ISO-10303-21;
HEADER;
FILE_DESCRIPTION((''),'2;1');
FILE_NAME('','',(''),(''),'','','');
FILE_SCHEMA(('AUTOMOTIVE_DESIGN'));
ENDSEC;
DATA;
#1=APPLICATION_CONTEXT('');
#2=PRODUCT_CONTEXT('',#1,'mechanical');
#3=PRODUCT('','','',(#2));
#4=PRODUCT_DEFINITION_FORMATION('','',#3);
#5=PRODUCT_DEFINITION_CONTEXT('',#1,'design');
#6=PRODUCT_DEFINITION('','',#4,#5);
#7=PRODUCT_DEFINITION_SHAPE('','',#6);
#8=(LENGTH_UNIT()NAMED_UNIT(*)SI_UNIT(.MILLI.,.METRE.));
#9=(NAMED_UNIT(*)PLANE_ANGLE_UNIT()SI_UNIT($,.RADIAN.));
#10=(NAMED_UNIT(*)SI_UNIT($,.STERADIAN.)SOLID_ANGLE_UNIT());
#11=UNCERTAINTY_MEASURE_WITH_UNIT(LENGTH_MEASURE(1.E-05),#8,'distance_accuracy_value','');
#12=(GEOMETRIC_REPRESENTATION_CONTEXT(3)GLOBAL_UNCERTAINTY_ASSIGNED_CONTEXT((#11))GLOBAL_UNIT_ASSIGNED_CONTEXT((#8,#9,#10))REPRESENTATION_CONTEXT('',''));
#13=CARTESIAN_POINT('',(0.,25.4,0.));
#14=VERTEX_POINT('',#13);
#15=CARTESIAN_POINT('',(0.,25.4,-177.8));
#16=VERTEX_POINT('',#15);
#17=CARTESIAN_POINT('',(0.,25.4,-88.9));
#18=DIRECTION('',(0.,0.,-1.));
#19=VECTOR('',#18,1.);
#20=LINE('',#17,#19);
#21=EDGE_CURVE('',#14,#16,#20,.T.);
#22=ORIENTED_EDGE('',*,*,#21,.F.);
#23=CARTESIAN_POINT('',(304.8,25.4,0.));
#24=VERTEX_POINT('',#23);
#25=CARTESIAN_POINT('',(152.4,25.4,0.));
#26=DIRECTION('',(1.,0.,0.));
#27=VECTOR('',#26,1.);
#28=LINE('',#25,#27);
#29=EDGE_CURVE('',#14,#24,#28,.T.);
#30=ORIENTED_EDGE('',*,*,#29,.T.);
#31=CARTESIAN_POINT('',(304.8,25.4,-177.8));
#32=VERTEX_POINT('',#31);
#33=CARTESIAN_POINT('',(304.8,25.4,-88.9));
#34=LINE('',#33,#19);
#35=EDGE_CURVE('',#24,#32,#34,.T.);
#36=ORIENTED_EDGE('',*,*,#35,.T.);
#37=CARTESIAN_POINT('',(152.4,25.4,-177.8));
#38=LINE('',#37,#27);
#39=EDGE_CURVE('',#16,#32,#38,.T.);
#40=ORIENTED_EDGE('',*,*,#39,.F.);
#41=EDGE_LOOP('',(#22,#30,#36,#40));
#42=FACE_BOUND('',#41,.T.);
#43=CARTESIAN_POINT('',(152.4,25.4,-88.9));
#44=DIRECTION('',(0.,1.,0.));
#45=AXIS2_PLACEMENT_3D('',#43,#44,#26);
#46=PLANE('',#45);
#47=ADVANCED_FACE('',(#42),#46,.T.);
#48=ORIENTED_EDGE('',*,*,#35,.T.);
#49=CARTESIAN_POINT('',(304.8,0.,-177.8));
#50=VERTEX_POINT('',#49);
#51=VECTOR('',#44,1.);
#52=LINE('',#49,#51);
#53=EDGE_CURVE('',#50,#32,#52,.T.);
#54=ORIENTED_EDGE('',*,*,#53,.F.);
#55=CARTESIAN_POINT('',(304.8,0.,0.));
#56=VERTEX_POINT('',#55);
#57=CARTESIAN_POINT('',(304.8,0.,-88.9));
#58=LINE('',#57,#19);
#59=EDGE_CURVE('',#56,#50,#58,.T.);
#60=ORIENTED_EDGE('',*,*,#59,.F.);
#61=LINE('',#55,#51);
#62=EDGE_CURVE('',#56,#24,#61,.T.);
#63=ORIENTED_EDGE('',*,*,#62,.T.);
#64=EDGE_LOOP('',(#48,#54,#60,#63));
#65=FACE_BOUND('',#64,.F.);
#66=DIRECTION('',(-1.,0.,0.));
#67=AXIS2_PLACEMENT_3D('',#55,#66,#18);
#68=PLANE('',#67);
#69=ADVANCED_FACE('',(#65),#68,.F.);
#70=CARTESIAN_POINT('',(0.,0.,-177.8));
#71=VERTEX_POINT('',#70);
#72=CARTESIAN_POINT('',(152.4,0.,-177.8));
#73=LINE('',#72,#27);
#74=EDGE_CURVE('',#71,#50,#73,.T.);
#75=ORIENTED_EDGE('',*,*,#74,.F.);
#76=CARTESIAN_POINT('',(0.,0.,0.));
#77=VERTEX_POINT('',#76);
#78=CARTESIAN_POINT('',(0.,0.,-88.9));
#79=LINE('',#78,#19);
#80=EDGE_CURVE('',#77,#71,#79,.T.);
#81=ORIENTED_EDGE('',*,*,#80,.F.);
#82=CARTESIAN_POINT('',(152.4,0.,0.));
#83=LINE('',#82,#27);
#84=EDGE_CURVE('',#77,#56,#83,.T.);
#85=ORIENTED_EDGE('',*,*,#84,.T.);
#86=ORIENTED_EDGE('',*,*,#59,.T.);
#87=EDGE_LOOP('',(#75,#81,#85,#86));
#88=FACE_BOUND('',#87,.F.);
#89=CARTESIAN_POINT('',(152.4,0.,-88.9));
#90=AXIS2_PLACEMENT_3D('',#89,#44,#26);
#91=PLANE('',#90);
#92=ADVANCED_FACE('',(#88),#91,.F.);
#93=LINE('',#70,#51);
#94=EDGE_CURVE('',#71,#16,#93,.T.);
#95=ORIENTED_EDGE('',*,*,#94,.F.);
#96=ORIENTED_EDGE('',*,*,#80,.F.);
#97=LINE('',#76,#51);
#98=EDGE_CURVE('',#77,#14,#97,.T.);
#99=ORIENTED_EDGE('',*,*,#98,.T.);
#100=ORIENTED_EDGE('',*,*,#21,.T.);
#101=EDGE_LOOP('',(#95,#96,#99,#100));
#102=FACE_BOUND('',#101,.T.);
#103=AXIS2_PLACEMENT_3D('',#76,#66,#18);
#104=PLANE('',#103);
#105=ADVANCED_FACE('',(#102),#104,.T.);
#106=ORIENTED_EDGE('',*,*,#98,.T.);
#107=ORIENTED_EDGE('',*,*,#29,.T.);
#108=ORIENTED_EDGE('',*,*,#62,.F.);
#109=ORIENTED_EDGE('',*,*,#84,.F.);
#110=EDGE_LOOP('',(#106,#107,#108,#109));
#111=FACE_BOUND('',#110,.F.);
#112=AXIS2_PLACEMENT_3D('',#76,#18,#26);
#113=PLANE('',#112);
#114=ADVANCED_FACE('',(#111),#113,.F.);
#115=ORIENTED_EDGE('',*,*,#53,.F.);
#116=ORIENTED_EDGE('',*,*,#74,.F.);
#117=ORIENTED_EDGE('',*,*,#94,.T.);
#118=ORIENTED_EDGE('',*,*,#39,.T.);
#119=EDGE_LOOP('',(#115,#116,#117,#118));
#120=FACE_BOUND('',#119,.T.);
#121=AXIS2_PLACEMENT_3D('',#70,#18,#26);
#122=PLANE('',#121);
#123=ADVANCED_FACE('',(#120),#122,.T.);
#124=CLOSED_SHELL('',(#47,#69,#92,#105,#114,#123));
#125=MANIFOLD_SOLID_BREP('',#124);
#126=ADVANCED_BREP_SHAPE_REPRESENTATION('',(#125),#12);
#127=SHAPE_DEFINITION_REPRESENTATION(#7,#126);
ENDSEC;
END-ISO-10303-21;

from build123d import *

# Parameters (mm, degrees)
SKETCH1_W           = 304.8
SKETCH1_H           = 177.8
BOSS_EXTRUDE1_DEPTH = 25.4


with BuildPart() as part:
    # Sketch1 → Boss-Extrude1 (new body)
    with BuildSketch(Plane(origin=(0, 0, 0), x_dir=(1, 0, 0), z_dir=(0, 1, 0))):
        with Locations((152.4, 88.9)):
            Rectangle(SKETCH1_W, SKETCH1_H)
    extrude(amount=BOSS_EXTRUDE1_DEPTH)


solid = part.part
